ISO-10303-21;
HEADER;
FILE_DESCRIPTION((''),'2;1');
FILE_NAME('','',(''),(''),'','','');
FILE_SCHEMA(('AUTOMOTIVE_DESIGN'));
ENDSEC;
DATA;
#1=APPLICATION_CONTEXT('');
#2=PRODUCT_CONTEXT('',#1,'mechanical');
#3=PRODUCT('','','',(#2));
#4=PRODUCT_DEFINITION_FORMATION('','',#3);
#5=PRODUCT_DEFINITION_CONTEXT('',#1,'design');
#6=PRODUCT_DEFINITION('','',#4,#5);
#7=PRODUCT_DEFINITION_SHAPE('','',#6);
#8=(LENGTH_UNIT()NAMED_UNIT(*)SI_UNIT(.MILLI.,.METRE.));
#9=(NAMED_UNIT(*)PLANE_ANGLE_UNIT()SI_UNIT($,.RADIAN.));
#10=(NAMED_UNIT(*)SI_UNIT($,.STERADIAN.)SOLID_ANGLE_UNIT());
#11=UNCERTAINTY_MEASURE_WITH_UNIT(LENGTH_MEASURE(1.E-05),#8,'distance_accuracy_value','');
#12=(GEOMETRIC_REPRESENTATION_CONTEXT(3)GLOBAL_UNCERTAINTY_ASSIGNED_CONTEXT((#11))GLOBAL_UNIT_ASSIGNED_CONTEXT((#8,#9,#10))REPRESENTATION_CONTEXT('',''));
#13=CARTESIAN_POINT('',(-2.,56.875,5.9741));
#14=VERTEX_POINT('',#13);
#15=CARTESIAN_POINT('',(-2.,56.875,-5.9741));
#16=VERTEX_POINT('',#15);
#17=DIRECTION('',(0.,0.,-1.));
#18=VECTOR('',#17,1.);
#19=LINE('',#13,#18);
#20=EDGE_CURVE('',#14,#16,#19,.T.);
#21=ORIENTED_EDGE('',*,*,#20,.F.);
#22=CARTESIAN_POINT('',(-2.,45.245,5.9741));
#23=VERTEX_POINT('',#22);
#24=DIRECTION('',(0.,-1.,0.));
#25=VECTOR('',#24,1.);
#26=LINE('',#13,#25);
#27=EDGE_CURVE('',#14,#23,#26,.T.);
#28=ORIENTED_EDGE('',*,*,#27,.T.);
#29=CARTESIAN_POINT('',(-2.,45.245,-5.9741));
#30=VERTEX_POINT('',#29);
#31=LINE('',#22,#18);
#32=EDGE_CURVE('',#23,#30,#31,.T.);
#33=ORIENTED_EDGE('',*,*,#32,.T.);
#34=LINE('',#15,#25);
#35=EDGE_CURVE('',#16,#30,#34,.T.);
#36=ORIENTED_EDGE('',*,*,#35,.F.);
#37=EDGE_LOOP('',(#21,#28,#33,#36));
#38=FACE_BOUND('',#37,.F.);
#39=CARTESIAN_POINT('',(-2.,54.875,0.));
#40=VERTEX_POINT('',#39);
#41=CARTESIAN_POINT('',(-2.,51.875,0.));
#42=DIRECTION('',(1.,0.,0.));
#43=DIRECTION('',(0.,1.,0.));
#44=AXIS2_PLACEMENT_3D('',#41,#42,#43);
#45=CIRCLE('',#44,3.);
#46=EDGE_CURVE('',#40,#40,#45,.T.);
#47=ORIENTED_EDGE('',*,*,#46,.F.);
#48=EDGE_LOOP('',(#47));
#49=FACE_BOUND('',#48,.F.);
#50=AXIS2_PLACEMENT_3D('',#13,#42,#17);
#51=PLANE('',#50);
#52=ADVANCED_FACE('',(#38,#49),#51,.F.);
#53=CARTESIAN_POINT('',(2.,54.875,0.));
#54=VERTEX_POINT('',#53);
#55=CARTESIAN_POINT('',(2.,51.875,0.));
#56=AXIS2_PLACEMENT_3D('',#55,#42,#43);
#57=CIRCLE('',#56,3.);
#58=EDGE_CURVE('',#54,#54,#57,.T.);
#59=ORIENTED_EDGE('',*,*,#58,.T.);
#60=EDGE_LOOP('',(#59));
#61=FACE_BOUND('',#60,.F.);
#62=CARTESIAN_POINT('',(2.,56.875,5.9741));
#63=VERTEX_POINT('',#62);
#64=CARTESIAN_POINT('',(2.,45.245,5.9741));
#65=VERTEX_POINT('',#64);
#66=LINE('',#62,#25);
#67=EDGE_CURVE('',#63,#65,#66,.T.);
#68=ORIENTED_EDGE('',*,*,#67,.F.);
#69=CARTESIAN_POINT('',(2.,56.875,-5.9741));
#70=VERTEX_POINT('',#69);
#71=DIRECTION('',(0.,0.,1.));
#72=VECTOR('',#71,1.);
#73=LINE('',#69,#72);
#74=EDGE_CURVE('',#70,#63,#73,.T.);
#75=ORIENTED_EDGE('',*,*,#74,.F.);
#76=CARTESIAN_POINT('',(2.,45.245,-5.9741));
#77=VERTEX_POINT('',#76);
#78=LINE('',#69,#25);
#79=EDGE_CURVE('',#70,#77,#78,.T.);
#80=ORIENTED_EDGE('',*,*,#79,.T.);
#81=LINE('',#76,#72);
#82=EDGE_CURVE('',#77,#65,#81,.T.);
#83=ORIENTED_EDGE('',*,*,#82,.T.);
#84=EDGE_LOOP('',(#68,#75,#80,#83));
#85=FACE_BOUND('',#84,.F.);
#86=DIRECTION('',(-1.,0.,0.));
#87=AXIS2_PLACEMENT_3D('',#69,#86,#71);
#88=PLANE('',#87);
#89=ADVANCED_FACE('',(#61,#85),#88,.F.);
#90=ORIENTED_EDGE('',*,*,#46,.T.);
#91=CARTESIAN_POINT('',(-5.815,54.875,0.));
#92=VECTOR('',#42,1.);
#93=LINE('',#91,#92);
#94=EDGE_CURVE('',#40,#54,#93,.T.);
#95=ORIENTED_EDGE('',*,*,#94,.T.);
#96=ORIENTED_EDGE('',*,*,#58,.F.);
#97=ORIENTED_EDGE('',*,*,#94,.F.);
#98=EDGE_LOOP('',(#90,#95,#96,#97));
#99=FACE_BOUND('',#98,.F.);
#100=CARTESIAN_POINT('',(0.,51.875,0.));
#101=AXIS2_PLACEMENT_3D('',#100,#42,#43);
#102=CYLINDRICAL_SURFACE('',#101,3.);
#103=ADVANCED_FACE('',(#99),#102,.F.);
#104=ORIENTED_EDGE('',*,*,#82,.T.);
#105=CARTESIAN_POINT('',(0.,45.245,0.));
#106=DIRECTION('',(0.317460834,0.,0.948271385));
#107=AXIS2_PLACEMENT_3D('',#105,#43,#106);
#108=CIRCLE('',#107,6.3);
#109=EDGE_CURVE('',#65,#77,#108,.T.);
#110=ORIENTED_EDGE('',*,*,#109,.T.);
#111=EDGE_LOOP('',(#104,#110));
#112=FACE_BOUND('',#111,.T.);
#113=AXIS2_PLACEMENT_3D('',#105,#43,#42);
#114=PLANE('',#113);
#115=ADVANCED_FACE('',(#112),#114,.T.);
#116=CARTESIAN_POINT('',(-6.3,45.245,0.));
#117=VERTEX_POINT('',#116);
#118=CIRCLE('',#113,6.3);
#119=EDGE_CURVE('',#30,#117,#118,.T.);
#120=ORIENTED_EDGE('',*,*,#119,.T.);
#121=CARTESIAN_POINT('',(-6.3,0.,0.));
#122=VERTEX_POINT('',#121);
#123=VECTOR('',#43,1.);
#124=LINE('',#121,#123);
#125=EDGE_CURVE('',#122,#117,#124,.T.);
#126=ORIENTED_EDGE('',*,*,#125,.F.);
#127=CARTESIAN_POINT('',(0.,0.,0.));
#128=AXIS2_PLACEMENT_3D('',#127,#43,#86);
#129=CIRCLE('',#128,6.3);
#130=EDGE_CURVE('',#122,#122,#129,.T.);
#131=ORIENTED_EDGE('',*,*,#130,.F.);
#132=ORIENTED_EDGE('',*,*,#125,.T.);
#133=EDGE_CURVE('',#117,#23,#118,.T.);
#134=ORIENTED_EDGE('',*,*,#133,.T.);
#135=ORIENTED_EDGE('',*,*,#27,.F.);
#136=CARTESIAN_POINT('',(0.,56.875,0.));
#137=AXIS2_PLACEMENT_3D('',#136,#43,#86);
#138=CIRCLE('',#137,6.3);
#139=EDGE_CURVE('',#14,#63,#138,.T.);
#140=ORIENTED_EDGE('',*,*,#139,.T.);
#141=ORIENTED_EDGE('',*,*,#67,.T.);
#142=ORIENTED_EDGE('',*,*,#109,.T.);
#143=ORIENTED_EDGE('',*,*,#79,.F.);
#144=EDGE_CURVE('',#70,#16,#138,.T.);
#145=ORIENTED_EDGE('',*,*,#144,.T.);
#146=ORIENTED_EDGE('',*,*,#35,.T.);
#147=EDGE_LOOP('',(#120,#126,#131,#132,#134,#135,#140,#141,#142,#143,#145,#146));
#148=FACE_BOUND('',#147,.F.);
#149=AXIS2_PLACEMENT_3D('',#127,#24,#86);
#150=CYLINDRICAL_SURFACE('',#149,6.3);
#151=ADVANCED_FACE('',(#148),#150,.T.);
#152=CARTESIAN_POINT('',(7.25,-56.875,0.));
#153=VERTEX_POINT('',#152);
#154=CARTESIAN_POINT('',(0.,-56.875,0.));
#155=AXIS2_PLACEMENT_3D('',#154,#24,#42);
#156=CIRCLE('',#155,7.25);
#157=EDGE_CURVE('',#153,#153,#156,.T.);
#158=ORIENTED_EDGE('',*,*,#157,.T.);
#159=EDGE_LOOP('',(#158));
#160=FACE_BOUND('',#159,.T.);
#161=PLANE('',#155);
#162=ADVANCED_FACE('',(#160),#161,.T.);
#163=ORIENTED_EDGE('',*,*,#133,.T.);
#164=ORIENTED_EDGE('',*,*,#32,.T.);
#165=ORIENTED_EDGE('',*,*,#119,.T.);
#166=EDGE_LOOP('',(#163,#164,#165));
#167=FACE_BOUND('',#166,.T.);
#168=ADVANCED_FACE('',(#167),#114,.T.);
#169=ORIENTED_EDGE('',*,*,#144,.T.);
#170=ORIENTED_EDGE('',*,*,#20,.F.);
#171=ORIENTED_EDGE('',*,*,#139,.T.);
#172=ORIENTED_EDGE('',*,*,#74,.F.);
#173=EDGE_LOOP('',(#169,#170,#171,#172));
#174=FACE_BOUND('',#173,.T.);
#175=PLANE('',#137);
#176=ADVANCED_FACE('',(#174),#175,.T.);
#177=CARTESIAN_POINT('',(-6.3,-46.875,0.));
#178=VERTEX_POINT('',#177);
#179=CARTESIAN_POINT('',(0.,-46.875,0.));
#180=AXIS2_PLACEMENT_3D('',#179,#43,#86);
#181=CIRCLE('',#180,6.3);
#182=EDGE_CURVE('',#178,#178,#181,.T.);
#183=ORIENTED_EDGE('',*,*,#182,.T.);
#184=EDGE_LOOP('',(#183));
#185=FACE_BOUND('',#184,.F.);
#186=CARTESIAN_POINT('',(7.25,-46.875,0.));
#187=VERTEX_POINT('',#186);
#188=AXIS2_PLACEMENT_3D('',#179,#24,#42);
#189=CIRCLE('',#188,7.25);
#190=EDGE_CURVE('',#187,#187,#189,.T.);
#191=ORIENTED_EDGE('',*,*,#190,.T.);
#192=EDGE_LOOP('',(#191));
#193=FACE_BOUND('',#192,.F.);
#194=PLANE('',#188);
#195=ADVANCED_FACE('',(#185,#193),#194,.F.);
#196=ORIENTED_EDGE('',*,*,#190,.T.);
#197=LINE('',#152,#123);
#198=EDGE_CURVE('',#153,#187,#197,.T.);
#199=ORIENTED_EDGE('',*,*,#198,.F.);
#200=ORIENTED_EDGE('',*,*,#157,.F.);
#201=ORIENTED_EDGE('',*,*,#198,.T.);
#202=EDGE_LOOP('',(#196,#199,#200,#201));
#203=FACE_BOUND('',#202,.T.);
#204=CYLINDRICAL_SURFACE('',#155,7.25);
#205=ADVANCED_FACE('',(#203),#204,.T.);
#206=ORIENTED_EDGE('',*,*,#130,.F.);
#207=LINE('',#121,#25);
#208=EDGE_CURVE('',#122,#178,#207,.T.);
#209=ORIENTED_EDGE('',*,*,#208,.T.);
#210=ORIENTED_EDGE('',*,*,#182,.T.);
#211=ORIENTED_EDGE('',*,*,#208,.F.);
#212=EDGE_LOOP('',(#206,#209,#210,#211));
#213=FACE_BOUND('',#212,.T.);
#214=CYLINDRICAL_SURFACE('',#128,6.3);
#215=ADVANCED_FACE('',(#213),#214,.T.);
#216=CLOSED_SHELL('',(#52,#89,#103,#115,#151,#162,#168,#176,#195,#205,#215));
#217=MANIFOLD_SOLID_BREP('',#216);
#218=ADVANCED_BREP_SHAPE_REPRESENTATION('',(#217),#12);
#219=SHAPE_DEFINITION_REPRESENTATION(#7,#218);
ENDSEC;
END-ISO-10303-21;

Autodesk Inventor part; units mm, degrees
ref_plane "YZ Plane" through (0, 0, 0) normal (1, 0, 0) x (0, 1, 0)
ref_plane "XZ Plane" through (0, 0, 0) normal (0, 1, 0) x (-1, 0, 0)
ref_plane "XY Plane" through (0, 0, 0) normal (0, 0, 1) x (1, 0, 0)
sketch "Sketch1" plane through (0, 0, 0) normal (0, 1, 0) x (-1, 0, 0)
  circle A0 centre (0, 0) radius 6.3
  dimension "d0" = 12.6
extrude "Extrusion1" add sketch "Sketch1" along normal mid plane 113.75
sketch "Sketch2" plane through (0, 0, 0) normal (1, 0, 0) x (0, 1, 0)
  line L0 (56.875, -6.3) -> (56.875, 6.3) projected
  line L1 (-56.875, -6.3) -> (56.875, -6.3) projected
  line L2 (56.875, 6.3) -> (45.245, 6.3)
  line L3 (45.245, 6.3) -> (45.245, -6.3)
  line L4 (45.245, -6.3) -> (56.875, -6.3)
  line L5 (56.875, -6.3) -> (56.875, 6.3)
  line L6 (56.875, 0) -> (51.875, 0)
  circle A0 centre (51.875, 0) radius 3
  point P0 (0, 0)
  dimension "d3" = 11.63
  dimension "d7" = 5
  dimension "d8" = 6
sketch "Sketch3" plane through (0, 56.875, 0) normal (0, 1, 0) x (1, 0, 0)
  circle A0 centre (0, 0) radius 6.3 projected
  line L0 (2, -5.9741) -> (-2, -5.9741)
  line L1 (-2, -5.9741) -> (-2, 5.9741)
  line L2 (-2, 5.9741) -> (2, 5.9741)
  line L3 (2, 5.9741) -> (2, -5.9741)
  line L4 (2, -5.9741) -> (-2, 5.9741) construction
  line L5 (-2, -5.9741) -> (2, 5.9741) construction
  dimension "d4" = 4
extrude "Extrusion2" cut sketch "Sketch3" against normal blind 11.63 contours A0 L3 | L1 A0
extrude "Extrusion3" cut sketch "Sketch2" against normal mid plane 11.63 contours A0
sketch "Sketch4" plane through (0, -56.875, 0) normal (0, -1, 0) x (1, 0, 0)
  circle A0 centre (0, 0) radius 7.25
  dimension "d11" = 14.5
extrude "Extrusion4" add sketch "Sketch4" against normal blind 10
properties part number "vastago"
